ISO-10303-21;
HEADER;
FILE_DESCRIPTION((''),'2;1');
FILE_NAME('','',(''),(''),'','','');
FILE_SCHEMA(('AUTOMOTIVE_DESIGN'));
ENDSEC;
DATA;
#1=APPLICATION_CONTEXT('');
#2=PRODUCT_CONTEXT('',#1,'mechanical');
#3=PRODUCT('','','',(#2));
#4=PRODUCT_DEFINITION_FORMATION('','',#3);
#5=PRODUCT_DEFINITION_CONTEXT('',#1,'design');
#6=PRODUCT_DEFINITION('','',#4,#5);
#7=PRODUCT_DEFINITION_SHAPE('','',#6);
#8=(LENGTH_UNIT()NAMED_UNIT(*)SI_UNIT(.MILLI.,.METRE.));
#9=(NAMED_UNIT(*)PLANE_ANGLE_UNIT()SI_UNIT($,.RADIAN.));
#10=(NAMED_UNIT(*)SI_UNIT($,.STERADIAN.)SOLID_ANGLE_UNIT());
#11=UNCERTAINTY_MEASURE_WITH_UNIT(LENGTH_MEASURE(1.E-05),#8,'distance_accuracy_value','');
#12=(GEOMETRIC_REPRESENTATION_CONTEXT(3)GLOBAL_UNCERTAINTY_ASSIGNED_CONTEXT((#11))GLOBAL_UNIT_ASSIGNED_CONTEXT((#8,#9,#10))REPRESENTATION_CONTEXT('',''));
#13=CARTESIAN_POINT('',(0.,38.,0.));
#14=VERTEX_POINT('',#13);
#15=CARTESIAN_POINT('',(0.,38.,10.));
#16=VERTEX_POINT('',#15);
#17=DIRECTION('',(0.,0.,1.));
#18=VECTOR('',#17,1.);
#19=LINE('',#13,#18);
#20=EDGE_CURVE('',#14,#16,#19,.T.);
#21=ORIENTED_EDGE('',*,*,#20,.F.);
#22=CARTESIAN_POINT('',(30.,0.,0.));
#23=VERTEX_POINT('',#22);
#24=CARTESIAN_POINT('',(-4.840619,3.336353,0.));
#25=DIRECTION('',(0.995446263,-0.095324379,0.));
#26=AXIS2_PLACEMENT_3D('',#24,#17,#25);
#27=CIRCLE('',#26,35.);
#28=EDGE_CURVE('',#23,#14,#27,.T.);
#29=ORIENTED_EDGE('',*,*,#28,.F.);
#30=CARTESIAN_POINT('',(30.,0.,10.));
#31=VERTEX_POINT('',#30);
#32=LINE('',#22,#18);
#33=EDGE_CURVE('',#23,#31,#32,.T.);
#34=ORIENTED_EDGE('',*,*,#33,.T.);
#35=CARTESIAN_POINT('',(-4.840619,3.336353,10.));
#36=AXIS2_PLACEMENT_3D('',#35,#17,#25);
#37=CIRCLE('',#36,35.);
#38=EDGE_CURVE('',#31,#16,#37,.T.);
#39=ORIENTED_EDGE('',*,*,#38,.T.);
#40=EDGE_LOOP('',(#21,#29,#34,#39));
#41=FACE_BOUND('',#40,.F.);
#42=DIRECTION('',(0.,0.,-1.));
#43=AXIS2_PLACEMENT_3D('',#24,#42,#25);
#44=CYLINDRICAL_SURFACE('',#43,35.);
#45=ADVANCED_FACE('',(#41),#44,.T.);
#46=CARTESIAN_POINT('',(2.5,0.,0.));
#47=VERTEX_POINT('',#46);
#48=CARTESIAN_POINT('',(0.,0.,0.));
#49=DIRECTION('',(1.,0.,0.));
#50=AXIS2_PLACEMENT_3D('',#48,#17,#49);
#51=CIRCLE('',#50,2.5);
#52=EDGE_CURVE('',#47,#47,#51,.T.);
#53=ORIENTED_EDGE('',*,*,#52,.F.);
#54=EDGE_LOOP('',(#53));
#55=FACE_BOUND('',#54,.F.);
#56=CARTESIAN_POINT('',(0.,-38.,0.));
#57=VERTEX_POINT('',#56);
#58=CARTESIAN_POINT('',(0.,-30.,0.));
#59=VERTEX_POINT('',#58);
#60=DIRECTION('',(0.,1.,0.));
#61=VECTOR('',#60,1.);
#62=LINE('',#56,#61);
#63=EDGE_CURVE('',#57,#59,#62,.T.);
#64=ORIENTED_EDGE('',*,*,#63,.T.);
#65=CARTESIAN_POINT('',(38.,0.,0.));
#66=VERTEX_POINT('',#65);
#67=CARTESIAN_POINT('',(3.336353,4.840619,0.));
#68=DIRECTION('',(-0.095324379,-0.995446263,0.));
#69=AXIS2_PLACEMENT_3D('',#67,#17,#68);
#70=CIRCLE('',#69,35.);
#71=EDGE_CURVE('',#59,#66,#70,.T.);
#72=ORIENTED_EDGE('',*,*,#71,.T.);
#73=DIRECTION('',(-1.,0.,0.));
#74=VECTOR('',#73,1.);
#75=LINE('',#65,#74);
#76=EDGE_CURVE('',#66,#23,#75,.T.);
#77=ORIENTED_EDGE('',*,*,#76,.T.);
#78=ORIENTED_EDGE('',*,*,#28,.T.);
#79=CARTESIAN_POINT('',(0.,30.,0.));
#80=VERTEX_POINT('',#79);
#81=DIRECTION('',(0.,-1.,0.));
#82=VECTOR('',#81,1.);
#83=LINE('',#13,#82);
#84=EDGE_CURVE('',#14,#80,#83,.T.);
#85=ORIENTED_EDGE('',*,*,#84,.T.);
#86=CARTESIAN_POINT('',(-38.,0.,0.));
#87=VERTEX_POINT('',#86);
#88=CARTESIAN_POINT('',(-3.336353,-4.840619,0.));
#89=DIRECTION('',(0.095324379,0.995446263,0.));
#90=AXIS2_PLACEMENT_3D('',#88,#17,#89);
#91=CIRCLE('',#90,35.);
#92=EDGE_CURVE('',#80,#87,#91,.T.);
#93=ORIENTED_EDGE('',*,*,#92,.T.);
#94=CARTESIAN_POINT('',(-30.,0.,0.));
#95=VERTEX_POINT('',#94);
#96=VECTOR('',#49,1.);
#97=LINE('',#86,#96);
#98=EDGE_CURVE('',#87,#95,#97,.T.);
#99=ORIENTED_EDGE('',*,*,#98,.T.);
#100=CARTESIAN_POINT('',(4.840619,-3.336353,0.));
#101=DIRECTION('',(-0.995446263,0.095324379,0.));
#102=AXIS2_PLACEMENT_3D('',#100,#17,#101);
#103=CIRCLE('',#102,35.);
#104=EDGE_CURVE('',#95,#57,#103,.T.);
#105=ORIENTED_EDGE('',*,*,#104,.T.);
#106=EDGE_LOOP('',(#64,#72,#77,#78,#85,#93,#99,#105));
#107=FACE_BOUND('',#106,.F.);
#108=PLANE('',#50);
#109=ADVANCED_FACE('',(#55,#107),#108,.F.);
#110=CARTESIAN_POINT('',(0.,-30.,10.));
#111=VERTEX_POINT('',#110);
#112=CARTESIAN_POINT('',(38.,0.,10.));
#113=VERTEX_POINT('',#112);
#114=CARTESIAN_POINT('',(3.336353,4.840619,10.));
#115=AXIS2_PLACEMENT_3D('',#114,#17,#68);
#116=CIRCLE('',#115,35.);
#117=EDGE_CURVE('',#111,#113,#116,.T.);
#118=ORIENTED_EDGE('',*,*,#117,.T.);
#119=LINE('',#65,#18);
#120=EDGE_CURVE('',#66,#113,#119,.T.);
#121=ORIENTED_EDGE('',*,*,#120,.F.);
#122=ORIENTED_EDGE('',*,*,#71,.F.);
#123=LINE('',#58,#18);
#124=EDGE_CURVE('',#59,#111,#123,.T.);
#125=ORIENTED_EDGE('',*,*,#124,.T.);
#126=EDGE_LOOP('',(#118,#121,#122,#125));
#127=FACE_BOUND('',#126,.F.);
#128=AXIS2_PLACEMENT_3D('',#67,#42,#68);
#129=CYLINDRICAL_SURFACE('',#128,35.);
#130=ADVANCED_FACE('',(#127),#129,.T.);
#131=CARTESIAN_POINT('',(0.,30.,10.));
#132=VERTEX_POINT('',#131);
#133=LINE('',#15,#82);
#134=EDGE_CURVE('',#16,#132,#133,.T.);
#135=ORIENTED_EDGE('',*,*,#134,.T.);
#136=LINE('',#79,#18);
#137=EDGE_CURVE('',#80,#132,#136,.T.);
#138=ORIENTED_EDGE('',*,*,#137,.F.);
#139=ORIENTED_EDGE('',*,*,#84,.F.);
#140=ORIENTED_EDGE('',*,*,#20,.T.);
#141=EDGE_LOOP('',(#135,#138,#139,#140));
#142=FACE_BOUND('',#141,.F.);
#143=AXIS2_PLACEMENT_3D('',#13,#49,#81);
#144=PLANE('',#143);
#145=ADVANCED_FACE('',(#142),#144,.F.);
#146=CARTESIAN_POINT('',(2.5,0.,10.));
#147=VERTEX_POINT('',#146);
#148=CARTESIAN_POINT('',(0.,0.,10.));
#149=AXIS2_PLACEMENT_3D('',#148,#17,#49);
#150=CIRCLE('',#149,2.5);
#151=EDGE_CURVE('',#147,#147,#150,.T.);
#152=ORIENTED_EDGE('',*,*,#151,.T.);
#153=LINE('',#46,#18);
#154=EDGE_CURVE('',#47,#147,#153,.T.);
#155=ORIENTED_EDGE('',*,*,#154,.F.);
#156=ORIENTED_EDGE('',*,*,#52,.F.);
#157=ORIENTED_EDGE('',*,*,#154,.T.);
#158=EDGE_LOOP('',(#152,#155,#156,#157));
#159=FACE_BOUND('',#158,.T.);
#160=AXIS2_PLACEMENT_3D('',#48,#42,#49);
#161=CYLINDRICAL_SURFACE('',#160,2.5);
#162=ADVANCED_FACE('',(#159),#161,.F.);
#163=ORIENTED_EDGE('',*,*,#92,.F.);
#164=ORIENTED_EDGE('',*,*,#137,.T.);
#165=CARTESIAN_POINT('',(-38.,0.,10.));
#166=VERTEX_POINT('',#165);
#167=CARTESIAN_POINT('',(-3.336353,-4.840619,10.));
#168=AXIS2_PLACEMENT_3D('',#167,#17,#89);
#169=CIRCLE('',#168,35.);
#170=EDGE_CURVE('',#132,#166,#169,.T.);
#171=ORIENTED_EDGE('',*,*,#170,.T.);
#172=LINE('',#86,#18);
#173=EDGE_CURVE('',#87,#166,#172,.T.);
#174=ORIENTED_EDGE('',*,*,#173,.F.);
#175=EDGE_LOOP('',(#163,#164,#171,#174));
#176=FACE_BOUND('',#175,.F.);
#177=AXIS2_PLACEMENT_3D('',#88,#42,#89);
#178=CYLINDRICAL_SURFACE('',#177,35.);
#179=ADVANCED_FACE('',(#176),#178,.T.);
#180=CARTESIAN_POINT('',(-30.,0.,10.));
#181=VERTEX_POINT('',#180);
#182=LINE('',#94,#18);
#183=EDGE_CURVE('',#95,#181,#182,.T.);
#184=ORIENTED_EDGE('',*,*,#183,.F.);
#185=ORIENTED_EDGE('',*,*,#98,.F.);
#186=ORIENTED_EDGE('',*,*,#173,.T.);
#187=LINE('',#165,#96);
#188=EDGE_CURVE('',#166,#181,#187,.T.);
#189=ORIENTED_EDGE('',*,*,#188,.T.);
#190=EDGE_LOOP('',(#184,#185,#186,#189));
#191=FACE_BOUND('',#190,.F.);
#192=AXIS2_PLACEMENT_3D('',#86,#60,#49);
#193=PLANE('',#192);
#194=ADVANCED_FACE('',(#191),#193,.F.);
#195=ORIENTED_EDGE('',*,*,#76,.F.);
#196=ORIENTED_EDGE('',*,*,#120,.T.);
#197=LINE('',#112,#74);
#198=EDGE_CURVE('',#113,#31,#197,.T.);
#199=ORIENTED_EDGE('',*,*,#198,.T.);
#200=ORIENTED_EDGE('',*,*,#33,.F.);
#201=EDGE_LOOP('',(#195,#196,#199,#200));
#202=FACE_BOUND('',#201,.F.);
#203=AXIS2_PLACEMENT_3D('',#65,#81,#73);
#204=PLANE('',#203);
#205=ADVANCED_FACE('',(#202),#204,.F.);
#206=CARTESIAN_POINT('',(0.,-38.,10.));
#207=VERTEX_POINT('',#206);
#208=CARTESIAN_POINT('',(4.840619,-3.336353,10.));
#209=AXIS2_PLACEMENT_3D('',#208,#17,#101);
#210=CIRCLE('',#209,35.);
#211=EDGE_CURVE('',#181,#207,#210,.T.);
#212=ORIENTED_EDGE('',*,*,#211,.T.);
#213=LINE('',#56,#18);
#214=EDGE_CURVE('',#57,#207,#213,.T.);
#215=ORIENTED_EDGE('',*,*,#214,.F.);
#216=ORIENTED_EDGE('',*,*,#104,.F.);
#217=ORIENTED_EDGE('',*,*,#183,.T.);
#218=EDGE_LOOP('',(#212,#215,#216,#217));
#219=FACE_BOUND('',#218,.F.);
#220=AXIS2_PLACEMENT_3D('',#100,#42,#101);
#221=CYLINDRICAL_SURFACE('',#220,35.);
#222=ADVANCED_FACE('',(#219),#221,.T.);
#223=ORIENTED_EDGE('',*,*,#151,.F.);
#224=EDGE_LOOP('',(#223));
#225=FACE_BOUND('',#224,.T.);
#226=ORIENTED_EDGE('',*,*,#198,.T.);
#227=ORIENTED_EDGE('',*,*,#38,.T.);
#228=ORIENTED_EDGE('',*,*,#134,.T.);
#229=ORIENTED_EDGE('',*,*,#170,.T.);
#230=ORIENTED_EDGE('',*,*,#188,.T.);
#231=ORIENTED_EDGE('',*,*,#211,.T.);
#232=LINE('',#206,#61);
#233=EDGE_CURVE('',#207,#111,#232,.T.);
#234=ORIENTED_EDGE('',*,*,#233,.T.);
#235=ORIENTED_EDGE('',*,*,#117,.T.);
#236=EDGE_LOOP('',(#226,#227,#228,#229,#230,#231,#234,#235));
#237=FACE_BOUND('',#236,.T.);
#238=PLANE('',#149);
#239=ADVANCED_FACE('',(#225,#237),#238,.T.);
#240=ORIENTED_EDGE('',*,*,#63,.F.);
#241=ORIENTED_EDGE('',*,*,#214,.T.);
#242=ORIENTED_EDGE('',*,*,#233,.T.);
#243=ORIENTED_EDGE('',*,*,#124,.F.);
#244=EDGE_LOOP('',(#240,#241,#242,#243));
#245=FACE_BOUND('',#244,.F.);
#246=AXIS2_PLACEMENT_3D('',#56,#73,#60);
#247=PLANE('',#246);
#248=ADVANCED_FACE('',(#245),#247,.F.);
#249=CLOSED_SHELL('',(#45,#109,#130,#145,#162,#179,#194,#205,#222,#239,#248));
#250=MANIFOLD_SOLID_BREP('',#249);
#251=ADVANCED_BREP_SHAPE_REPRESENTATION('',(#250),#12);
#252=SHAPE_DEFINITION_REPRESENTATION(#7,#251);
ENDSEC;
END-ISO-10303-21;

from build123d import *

# Parameters (mm, degrees)
F0_R     = 2.5
F1_DEPTH = 10


with BuildPart() as f1:
    # F0 (on Top) → F1 (new body)
    with BuildSketch(Plane.XY):
        with BuildLine():
            ThreePointArc((0, -30), (21.2132034356, -21.2132034356), (30, 0))
            ThreePointArc((30, 0), (21.2132034356, 21.2132034356), (0, 30))
            ThreePointArc((0, 30), (-21.2132034356, 21.2132034356), (-30, 0))
            ThreePointArc((-30, 0), (-21.2132034356, -21.2132034356), (0, -30))
        make_face()
        Circle(F0_R, mode=Mode.SUBTRACT)
        with BuildLine():
            Line((38, 0), (30, 0))
            ThreePointArc((30, 0), (21.2132034356, -21.2132034356), (0, -30))
            ThreePointArc((0, -30), (25.0239033553, -22.6302775834), (38, 0))
        make_face()
        with BuildLine():
            ThreePointArc((0, 30), (21.2132034356, 21.2132034356), (30, 0))
            ThreePointArc((30, 0), (22.6302775834, 25.0239033553), (0, 38))
            Line((0, 38), (0, 30))
        make_face()
        with BuildLine():
            ThreePointArc((-30, 0), (-21.2132034356, 21.2132034356), (0, 30))
            ThreePointArc((0, 30), (-25.0239033553, 22.6302775834), (-38, 0))
            Line((-38, 0), (-30, 0))
        make_face()
        with BuildLine():
            Line((0, -38), (0, -30))
            ThreePointArc((0, -30), (-21.2132034356, -21.2132034356), (-30, 0))
            ThreePointArc((-30, 0), (-22.6302775834, -25.0239033553), (0, -38))
        make_face()
    extrude(amount=F1_DEPTH)


solid = f1.part
